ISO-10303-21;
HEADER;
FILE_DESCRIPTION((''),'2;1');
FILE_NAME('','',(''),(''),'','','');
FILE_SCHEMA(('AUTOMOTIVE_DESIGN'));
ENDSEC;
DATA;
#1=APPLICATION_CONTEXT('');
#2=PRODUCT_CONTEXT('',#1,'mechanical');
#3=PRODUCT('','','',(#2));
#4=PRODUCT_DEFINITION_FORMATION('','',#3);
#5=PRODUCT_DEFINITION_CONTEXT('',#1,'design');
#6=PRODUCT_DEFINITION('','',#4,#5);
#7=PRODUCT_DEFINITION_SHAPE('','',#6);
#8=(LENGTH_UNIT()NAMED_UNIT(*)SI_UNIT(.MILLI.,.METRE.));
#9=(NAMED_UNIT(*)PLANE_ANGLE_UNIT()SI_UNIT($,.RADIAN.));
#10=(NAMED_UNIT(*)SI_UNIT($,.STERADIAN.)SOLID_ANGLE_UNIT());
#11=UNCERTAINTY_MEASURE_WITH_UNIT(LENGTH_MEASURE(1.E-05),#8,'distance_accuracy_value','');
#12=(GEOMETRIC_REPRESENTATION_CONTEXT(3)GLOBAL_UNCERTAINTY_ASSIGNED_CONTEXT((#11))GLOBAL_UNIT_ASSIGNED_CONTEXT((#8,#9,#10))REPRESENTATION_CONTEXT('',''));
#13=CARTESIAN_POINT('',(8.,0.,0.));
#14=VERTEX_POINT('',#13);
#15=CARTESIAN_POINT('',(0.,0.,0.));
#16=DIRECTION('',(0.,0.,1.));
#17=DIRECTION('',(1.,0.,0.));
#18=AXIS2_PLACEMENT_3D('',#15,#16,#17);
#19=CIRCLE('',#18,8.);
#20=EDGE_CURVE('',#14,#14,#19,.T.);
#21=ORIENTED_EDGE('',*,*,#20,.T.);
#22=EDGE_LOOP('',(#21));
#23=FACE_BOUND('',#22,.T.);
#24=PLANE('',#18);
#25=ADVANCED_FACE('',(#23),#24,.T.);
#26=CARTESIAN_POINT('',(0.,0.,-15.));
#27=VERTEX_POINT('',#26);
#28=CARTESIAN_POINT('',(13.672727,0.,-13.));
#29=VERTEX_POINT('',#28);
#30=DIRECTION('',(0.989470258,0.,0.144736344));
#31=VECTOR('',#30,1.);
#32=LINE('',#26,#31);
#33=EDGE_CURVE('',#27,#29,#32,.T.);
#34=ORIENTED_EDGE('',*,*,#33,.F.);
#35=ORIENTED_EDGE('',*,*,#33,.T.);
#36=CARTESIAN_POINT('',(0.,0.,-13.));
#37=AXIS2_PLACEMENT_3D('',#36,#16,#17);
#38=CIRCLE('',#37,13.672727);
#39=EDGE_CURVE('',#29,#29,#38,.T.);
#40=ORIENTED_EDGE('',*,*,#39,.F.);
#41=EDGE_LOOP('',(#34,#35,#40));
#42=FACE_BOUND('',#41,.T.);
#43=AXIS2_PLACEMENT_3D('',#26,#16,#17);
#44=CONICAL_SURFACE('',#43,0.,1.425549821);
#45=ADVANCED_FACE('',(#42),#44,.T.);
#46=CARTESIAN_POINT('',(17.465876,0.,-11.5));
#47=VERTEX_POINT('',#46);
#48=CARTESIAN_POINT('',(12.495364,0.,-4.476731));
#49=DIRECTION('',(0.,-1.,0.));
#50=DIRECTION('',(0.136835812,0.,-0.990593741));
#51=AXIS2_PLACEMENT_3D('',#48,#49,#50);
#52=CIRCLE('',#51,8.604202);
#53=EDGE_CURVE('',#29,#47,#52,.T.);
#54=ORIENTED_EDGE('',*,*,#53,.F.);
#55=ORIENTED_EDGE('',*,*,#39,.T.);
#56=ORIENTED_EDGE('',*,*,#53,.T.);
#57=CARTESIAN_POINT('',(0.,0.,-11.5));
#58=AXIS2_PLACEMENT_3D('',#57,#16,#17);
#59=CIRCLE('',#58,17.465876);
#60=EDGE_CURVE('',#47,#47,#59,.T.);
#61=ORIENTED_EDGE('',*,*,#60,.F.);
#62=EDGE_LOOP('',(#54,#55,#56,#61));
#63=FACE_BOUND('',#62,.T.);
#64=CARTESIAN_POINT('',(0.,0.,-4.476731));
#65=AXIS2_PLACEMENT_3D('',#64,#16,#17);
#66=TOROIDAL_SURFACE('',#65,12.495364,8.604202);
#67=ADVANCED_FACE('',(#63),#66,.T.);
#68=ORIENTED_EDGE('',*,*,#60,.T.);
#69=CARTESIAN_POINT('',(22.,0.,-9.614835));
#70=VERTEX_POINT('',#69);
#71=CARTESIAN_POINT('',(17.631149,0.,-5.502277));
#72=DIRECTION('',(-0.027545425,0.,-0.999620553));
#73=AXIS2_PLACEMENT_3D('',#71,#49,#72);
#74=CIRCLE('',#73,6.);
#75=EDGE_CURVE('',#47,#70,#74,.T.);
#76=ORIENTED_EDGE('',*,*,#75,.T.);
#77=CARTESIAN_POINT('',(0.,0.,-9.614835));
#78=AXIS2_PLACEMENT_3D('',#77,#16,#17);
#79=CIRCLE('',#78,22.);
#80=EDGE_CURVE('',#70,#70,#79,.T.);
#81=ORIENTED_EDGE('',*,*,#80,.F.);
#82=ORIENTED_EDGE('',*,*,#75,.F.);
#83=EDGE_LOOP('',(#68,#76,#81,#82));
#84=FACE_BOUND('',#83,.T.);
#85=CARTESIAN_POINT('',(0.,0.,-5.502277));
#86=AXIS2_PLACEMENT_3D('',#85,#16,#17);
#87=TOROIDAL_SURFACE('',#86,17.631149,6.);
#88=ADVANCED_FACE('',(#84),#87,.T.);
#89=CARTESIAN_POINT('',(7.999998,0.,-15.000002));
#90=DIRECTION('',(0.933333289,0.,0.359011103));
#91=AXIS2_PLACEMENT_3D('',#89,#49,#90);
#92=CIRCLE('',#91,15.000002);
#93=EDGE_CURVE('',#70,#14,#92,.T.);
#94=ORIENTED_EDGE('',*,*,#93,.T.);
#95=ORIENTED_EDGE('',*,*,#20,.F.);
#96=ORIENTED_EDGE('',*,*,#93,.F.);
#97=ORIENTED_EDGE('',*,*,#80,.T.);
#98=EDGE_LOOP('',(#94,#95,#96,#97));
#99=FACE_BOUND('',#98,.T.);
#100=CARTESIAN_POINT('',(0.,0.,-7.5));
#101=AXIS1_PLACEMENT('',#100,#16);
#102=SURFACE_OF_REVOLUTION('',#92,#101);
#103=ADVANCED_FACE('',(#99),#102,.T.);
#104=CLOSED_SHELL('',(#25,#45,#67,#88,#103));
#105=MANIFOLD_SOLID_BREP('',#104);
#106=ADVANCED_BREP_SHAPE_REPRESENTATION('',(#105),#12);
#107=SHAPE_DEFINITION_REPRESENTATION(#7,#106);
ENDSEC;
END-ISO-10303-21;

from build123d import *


with BuildPart() as f1:
    # F0 (on Front) → F1 (revolve)
    with BuildSketch(Plane.XZ):
        with BuildLine():
            Line((8, 0), (0, 0))
            Line((0, 0), (0, -15))
            Line((0, -15), (13.672727, -13))
            ThreePointArc((13.672727, -13), (15.659474, -12.478025), (17.465876, -11.5))
            ThreePointArc((17.465876, -11.5), (19.93462, -11.042495), (22, -9.614835))
            ThreePointArc((22, -9.614835), (16.491835, -2.635182), (8, 0))
        make_face()
    revolve(axis=Axis((0, 0, -7.5), (0, 0, 1)))


solid = f1.part
